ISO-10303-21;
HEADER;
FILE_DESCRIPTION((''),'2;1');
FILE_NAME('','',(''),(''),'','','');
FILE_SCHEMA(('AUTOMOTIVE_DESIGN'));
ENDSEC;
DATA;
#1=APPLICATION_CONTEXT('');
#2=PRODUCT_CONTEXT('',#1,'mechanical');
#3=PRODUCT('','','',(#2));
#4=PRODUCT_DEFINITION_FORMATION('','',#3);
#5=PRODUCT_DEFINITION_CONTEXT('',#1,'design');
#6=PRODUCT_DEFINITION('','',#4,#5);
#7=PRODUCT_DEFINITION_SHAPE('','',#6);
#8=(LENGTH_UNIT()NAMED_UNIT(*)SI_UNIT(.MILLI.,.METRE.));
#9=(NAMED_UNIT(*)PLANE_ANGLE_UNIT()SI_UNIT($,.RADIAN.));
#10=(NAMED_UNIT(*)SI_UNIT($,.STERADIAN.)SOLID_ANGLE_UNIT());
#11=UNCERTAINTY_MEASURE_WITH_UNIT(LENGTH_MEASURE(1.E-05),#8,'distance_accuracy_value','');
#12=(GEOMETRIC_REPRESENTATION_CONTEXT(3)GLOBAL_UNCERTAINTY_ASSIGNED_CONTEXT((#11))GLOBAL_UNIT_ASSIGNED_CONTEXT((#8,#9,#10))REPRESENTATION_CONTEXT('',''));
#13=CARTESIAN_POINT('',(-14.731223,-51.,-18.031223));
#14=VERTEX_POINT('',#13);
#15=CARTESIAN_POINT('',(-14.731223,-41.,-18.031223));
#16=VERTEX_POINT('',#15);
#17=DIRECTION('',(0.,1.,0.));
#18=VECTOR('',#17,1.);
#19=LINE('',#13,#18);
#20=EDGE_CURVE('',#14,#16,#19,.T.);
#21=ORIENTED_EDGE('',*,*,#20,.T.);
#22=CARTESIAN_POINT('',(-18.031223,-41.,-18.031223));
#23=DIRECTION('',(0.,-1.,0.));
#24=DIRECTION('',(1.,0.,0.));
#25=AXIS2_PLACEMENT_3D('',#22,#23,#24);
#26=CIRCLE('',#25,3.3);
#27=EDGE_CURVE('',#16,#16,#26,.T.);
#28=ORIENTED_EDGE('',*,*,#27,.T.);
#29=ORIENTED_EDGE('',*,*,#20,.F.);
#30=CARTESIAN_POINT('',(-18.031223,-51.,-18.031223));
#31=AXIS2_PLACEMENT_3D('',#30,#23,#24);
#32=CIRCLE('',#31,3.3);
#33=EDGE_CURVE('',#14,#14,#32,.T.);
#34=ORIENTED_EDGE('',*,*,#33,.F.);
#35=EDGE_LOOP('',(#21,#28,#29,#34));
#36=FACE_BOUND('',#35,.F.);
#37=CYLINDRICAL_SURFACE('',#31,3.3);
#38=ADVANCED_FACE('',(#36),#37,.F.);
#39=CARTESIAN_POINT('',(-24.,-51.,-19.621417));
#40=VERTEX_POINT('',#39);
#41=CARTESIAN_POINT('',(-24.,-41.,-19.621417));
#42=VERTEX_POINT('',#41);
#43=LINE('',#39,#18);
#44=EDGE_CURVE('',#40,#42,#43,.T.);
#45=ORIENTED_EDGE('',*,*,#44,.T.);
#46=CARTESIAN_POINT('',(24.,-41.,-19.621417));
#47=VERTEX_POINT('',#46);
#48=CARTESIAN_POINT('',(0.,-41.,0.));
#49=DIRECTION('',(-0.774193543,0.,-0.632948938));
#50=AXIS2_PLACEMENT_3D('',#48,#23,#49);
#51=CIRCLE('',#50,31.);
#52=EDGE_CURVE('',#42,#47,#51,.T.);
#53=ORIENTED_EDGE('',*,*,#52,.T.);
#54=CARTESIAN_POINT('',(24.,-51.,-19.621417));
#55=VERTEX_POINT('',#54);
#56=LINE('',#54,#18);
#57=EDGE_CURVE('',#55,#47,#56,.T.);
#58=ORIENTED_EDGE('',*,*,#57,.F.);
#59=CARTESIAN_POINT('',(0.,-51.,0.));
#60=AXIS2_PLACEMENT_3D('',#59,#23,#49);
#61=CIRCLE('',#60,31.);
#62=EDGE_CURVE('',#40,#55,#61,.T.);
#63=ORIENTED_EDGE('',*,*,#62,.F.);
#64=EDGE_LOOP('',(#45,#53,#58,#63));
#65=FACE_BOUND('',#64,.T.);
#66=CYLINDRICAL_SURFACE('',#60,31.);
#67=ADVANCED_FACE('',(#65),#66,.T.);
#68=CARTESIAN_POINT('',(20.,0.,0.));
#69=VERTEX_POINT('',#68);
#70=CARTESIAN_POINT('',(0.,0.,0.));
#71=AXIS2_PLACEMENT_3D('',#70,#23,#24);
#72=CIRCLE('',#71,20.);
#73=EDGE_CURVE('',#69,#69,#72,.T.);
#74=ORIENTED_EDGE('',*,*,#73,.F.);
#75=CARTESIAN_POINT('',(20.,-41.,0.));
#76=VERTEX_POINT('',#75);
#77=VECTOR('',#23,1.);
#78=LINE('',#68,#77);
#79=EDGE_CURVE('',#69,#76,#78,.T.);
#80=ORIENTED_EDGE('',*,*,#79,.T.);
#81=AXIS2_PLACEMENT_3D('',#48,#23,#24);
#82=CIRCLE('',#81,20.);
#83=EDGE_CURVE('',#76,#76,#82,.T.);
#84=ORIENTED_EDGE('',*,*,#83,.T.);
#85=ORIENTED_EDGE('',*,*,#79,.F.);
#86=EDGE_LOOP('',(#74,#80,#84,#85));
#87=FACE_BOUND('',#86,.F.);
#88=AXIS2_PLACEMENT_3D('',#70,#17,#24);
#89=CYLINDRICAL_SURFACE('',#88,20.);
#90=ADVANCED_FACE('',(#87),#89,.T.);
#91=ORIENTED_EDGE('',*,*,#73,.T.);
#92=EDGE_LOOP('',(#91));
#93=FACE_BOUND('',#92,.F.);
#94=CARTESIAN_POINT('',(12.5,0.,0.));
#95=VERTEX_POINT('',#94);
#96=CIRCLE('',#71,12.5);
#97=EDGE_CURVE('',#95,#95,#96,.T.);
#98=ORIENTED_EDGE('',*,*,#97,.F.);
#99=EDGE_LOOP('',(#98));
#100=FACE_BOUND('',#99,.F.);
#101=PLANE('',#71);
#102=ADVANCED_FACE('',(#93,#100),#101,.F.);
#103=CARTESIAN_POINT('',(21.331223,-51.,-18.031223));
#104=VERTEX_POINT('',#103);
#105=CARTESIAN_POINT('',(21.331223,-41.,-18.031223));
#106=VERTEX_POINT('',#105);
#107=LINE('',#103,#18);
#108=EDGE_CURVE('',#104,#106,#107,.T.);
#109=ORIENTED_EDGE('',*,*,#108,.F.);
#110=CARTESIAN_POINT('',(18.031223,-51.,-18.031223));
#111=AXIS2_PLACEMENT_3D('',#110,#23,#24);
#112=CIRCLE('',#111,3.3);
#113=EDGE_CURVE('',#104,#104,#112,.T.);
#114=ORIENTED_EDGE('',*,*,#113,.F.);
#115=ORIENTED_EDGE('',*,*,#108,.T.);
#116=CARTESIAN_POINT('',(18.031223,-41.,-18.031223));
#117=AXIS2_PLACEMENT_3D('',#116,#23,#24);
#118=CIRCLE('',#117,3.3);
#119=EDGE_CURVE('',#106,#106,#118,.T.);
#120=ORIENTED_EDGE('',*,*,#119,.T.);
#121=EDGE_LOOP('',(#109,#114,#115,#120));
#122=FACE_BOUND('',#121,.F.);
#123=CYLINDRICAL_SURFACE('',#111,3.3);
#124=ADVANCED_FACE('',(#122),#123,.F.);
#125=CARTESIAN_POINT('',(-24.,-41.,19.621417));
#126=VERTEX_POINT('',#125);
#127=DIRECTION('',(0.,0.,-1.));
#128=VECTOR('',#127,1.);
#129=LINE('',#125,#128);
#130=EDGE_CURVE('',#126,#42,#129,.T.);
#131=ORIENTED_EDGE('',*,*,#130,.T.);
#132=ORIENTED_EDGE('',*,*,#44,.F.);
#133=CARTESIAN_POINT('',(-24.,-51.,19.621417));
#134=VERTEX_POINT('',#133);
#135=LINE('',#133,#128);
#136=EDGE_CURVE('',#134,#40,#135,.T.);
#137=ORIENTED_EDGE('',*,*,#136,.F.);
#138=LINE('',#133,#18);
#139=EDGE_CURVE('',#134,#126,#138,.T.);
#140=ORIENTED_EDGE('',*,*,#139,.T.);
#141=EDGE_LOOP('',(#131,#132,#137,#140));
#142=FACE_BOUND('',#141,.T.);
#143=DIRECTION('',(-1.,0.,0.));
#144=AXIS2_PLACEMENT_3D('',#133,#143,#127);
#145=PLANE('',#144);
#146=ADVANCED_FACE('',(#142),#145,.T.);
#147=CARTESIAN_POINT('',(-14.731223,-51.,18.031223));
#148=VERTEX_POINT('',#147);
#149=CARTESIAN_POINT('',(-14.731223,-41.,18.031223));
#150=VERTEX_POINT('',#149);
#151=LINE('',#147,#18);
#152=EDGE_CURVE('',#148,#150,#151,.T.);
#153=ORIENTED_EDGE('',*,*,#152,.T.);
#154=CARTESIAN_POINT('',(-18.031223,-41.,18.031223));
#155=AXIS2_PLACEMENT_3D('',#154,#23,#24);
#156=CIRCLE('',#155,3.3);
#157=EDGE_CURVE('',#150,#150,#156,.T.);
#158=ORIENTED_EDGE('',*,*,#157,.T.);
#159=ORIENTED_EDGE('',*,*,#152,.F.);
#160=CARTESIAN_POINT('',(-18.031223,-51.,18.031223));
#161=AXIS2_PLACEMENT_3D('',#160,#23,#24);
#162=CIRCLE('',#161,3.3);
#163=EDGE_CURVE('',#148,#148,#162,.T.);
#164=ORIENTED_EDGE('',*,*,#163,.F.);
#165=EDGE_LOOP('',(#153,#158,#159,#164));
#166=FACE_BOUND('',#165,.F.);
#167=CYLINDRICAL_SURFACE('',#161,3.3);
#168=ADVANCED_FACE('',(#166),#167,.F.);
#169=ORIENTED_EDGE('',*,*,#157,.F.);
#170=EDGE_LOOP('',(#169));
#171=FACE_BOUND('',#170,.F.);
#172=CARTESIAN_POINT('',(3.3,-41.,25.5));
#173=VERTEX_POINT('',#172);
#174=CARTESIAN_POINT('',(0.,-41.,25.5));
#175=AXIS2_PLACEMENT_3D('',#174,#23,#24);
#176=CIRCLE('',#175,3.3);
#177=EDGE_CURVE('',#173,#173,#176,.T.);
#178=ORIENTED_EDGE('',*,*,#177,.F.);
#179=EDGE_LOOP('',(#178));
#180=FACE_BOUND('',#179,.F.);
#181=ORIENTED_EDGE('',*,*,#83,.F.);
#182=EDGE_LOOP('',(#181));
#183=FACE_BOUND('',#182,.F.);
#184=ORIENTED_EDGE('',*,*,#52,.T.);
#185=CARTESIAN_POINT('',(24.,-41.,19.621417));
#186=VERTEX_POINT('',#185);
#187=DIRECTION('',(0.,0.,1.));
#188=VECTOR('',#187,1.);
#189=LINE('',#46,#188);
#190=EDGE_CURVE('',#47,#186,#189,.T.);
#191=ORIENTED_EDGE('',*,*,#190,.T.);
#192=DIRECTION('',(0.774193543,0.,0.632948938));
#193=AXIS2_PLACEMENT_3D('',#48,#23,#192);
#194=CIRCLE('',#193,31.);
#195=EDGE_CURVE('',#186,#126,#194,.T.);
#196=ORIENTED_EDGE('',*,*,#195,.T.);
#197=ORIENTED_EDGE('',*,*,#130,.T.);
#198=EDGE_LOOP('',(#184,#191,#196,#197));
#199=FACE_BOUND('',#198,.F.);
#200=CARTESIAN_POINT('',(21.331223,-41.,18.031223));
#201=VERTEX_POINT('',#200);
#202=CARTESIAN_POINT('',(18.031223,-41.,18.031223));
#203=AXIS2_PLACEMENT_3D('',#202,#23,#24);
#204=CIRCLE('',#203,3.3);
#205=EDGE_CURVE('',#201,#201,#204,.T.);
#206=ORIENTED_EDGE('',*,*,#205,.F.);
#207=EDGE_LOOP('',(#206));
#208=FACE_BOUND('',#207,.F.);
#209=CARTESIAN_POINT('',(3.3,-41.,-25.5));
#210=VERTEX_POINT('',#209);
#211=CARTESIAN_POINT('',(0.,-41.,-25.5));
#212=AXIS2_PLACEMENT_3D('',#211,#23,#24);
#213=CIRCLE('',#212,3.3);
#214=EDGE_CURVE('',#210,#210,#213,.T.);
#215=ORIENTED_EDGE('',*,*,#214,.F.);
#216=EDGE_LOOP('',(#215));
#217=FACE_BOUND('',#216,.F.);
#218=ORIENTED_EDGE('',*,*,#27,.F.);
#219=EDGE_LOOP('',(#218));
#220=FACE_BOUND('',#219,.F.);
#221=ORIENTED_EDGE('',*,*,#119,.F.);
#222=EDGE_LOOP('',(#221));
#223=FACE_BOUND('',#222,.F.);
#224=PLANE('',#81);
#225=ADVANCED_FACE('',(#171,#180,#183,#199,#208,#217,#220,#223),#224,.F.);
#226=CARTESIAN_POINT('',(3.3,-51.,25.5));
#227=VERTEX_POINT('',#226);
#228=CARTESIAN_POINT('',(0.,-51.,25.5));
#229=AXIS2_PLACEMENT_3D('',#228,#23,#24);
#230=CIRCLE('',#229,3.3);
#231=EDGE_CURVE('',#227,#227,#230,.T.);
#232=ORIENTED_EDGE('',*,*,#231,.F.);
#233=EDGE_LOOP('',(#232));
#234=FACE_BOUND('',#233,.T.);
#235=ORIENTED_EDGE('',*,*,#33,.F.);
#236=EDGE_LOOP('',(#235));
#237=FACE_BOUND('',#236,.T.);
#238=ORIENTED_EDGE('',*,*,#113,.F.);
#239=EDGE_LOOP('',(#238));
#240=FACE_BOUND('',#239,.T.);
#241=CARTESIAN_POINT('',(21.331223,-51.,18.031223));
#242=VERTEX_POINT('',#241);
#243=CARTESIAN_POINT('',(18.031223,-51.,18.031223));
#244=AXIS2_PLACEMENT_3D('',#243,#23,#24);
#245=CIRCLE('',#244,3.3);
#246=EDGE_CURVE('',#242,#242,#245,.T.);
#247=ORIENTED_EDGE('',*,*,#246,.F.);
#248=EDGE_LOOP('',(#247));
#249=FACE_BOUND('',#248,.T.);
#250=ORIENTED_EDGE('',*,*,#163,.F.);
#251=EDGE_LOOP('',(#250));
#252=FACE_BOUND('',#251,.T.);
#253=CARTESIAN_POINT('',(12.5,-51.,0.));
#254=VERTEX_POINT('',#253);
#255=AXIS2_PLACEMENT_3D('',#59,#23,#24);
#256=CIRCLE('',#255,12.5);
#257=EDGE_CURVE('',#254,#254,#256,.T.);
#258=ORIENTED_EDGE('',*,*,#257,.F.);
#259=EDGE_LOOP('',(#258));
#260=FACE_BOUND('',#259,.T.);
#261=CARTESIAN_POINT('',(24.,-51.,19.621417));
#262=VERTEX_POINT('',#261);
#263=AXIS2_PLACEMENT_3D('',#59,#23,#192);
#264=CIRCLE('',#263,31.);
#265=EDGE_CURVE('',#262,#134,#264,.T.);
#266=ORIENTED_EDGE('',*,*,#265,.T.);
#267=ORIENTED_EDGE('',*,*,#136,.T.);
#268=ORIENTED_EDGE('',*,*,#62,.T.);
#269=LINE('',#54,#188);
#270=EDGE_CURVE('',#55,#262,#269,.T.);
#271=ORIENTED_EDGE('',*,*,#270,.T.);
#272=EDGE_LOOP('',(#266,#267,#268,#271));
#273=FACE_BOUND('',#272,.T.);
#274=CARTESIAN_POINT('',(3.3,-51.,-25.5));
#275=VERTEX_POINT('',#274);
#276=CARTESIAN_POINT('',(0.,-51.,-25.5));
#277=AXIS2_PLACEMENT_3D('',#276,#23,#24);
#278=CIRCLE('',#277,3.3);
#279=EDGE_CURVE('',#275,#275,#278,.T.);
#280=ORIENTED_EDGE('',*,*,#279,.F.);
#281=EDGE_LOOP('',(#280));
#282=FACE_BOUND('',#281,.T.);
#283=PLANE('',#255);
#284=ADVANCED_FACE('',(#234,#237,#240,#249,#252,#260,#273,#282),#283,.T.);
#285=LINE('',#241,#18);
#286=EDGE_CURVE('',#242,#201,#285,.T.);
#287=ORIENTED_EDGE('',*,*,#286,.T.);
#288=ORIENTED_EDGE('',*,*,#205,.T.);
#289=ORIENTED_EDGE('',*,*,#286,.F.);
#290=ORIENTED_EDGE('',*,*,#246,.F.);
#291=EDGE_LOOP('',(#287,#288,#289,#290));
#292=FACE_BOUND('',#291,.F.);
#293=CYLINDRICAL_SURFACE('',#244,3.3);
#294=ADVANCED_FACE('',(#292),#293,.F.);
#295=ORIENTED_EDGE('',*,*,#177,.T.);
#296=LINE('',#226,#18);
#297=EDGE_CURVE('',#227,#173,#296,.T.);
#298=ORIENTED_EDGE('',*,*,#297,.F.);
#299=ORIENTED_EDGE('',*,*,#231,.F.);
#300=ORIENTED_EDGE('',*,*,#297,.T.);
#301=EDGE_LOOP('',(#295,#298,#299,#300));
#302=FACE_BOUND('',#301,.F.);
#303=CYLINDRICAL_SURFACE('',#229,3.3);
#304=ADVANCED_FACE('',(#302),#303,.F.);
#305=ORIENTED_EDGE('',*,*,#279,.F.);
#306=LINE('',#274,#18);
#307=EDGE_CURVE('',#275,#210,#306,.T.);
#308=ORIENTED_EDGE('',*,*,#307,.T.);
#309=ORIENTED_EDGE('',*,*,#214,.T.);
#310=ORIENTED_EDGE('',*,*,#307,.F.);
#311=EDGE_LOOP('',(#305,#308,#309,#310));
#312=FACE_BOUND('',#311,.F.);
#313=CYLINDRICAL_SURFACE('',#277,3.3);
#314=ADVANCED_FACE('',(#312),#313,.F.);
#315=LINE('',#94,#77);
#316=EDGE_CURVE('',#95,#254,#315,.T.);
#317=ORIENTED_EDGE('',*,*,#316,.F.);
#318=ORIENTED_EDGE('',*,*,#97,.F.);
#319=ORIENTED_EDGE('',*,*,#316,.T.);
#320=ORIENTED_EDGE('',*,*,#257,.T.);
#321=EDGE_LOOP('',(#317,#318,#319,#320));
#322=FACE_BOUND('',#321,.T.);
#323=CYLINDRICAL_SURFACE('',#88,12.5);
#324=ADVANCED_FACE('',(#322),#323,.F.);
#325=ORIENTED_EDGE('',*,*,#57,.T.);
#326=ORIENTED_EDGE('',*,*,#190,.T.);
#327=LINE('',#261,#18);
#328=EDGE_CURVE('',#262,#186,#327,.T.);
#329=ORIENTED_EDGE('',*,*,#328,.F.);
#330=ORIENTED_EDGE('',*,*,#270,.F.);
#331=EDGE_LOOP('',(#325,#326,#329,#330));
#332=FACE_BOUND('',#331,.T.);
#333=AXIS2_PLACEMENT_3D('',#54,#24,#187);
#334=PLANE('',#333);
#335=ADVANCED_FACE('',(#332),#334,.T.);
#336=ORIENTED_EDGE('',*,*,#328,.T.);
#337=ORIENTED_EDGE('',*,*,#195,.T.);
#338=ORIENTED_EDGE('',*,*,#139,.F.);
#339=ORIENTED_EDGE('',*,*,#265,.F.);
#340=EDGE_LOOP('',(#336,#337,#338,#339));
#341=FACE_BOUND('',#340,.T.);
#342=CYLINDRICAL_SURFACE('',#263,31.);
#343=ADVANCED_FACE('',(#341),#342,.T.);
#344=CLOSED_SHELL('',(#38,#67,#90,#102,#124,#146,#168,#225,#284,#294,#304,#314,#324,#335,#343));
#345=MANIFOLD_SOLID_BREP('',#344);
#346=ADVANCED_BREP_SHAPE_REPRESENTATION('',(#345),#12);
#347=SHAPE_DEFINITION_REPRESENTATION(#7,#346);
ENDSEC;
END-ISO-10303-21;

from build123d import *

# Parameters (mm, degrees)
F0_R     = 20
F0_R_2   = 12.5
F1_DEPTH = 51
F2_R     = 20
F2_R_2   = 12.5
F2_R_3   = 3.3
F3_DEPTH = 10


with BuildPart() as f1:
    # F0 (on Front) → F1 (new body)
    with BuildSketch(Plane.XZ):
        Circle(F0_R)
        Circle(F0_R_2, mode=Mode.SUBTRACT)
    extrude(amount=F1_DEPTH)

    # F2 (on face) → F3 (join)
    with BuildSketch(Plane.XZ.offset(51)):
        Circle(F2_R)
        Circle(F2_R_2, mode=Mode.SUBTRACT)
        with BuildLine():
            Line((-24, 19.621417), (-24, -19.621417))
            ThreePointArc((-24, -19.621417), (0, -31), (24, -19.621417))
            Line((24, -19.621417), (24, 19.621417))
            ThreePointArc((24, 19.621417), (0, 31), (-24, 19.621417))
        make_face()
        with Locations((-18.031223, -18.031223)):
            Circle(F2_R_3, mode=Mode.SUBTRACT)
        with Locations((0, -25.5)):
            Circle(F2_R_3, mode=Mode.SUBTRACT)
        with Locations((18.031223, -18.031223)):
            Circle(F2_R_3, mode=Mode.SUBTRACT)
        Circle(F2_R, mode=Mode.SUBTRACT)
        with Locations((-18.031223, 18.031223)):
            Circle(F2_R_3, mode=Mode.SUBTRACT)
        with Locations((0, 25.5)):
            Circle(F2_R_3, mode=Mode.SUBTRACT)
        with Locations((18.031223, 18.031223)):
            Circle(F2_R_3, mode=Mode.SUBTRACT)
    extrude(amount=-F3_DEPTH)


solid = f1.part
